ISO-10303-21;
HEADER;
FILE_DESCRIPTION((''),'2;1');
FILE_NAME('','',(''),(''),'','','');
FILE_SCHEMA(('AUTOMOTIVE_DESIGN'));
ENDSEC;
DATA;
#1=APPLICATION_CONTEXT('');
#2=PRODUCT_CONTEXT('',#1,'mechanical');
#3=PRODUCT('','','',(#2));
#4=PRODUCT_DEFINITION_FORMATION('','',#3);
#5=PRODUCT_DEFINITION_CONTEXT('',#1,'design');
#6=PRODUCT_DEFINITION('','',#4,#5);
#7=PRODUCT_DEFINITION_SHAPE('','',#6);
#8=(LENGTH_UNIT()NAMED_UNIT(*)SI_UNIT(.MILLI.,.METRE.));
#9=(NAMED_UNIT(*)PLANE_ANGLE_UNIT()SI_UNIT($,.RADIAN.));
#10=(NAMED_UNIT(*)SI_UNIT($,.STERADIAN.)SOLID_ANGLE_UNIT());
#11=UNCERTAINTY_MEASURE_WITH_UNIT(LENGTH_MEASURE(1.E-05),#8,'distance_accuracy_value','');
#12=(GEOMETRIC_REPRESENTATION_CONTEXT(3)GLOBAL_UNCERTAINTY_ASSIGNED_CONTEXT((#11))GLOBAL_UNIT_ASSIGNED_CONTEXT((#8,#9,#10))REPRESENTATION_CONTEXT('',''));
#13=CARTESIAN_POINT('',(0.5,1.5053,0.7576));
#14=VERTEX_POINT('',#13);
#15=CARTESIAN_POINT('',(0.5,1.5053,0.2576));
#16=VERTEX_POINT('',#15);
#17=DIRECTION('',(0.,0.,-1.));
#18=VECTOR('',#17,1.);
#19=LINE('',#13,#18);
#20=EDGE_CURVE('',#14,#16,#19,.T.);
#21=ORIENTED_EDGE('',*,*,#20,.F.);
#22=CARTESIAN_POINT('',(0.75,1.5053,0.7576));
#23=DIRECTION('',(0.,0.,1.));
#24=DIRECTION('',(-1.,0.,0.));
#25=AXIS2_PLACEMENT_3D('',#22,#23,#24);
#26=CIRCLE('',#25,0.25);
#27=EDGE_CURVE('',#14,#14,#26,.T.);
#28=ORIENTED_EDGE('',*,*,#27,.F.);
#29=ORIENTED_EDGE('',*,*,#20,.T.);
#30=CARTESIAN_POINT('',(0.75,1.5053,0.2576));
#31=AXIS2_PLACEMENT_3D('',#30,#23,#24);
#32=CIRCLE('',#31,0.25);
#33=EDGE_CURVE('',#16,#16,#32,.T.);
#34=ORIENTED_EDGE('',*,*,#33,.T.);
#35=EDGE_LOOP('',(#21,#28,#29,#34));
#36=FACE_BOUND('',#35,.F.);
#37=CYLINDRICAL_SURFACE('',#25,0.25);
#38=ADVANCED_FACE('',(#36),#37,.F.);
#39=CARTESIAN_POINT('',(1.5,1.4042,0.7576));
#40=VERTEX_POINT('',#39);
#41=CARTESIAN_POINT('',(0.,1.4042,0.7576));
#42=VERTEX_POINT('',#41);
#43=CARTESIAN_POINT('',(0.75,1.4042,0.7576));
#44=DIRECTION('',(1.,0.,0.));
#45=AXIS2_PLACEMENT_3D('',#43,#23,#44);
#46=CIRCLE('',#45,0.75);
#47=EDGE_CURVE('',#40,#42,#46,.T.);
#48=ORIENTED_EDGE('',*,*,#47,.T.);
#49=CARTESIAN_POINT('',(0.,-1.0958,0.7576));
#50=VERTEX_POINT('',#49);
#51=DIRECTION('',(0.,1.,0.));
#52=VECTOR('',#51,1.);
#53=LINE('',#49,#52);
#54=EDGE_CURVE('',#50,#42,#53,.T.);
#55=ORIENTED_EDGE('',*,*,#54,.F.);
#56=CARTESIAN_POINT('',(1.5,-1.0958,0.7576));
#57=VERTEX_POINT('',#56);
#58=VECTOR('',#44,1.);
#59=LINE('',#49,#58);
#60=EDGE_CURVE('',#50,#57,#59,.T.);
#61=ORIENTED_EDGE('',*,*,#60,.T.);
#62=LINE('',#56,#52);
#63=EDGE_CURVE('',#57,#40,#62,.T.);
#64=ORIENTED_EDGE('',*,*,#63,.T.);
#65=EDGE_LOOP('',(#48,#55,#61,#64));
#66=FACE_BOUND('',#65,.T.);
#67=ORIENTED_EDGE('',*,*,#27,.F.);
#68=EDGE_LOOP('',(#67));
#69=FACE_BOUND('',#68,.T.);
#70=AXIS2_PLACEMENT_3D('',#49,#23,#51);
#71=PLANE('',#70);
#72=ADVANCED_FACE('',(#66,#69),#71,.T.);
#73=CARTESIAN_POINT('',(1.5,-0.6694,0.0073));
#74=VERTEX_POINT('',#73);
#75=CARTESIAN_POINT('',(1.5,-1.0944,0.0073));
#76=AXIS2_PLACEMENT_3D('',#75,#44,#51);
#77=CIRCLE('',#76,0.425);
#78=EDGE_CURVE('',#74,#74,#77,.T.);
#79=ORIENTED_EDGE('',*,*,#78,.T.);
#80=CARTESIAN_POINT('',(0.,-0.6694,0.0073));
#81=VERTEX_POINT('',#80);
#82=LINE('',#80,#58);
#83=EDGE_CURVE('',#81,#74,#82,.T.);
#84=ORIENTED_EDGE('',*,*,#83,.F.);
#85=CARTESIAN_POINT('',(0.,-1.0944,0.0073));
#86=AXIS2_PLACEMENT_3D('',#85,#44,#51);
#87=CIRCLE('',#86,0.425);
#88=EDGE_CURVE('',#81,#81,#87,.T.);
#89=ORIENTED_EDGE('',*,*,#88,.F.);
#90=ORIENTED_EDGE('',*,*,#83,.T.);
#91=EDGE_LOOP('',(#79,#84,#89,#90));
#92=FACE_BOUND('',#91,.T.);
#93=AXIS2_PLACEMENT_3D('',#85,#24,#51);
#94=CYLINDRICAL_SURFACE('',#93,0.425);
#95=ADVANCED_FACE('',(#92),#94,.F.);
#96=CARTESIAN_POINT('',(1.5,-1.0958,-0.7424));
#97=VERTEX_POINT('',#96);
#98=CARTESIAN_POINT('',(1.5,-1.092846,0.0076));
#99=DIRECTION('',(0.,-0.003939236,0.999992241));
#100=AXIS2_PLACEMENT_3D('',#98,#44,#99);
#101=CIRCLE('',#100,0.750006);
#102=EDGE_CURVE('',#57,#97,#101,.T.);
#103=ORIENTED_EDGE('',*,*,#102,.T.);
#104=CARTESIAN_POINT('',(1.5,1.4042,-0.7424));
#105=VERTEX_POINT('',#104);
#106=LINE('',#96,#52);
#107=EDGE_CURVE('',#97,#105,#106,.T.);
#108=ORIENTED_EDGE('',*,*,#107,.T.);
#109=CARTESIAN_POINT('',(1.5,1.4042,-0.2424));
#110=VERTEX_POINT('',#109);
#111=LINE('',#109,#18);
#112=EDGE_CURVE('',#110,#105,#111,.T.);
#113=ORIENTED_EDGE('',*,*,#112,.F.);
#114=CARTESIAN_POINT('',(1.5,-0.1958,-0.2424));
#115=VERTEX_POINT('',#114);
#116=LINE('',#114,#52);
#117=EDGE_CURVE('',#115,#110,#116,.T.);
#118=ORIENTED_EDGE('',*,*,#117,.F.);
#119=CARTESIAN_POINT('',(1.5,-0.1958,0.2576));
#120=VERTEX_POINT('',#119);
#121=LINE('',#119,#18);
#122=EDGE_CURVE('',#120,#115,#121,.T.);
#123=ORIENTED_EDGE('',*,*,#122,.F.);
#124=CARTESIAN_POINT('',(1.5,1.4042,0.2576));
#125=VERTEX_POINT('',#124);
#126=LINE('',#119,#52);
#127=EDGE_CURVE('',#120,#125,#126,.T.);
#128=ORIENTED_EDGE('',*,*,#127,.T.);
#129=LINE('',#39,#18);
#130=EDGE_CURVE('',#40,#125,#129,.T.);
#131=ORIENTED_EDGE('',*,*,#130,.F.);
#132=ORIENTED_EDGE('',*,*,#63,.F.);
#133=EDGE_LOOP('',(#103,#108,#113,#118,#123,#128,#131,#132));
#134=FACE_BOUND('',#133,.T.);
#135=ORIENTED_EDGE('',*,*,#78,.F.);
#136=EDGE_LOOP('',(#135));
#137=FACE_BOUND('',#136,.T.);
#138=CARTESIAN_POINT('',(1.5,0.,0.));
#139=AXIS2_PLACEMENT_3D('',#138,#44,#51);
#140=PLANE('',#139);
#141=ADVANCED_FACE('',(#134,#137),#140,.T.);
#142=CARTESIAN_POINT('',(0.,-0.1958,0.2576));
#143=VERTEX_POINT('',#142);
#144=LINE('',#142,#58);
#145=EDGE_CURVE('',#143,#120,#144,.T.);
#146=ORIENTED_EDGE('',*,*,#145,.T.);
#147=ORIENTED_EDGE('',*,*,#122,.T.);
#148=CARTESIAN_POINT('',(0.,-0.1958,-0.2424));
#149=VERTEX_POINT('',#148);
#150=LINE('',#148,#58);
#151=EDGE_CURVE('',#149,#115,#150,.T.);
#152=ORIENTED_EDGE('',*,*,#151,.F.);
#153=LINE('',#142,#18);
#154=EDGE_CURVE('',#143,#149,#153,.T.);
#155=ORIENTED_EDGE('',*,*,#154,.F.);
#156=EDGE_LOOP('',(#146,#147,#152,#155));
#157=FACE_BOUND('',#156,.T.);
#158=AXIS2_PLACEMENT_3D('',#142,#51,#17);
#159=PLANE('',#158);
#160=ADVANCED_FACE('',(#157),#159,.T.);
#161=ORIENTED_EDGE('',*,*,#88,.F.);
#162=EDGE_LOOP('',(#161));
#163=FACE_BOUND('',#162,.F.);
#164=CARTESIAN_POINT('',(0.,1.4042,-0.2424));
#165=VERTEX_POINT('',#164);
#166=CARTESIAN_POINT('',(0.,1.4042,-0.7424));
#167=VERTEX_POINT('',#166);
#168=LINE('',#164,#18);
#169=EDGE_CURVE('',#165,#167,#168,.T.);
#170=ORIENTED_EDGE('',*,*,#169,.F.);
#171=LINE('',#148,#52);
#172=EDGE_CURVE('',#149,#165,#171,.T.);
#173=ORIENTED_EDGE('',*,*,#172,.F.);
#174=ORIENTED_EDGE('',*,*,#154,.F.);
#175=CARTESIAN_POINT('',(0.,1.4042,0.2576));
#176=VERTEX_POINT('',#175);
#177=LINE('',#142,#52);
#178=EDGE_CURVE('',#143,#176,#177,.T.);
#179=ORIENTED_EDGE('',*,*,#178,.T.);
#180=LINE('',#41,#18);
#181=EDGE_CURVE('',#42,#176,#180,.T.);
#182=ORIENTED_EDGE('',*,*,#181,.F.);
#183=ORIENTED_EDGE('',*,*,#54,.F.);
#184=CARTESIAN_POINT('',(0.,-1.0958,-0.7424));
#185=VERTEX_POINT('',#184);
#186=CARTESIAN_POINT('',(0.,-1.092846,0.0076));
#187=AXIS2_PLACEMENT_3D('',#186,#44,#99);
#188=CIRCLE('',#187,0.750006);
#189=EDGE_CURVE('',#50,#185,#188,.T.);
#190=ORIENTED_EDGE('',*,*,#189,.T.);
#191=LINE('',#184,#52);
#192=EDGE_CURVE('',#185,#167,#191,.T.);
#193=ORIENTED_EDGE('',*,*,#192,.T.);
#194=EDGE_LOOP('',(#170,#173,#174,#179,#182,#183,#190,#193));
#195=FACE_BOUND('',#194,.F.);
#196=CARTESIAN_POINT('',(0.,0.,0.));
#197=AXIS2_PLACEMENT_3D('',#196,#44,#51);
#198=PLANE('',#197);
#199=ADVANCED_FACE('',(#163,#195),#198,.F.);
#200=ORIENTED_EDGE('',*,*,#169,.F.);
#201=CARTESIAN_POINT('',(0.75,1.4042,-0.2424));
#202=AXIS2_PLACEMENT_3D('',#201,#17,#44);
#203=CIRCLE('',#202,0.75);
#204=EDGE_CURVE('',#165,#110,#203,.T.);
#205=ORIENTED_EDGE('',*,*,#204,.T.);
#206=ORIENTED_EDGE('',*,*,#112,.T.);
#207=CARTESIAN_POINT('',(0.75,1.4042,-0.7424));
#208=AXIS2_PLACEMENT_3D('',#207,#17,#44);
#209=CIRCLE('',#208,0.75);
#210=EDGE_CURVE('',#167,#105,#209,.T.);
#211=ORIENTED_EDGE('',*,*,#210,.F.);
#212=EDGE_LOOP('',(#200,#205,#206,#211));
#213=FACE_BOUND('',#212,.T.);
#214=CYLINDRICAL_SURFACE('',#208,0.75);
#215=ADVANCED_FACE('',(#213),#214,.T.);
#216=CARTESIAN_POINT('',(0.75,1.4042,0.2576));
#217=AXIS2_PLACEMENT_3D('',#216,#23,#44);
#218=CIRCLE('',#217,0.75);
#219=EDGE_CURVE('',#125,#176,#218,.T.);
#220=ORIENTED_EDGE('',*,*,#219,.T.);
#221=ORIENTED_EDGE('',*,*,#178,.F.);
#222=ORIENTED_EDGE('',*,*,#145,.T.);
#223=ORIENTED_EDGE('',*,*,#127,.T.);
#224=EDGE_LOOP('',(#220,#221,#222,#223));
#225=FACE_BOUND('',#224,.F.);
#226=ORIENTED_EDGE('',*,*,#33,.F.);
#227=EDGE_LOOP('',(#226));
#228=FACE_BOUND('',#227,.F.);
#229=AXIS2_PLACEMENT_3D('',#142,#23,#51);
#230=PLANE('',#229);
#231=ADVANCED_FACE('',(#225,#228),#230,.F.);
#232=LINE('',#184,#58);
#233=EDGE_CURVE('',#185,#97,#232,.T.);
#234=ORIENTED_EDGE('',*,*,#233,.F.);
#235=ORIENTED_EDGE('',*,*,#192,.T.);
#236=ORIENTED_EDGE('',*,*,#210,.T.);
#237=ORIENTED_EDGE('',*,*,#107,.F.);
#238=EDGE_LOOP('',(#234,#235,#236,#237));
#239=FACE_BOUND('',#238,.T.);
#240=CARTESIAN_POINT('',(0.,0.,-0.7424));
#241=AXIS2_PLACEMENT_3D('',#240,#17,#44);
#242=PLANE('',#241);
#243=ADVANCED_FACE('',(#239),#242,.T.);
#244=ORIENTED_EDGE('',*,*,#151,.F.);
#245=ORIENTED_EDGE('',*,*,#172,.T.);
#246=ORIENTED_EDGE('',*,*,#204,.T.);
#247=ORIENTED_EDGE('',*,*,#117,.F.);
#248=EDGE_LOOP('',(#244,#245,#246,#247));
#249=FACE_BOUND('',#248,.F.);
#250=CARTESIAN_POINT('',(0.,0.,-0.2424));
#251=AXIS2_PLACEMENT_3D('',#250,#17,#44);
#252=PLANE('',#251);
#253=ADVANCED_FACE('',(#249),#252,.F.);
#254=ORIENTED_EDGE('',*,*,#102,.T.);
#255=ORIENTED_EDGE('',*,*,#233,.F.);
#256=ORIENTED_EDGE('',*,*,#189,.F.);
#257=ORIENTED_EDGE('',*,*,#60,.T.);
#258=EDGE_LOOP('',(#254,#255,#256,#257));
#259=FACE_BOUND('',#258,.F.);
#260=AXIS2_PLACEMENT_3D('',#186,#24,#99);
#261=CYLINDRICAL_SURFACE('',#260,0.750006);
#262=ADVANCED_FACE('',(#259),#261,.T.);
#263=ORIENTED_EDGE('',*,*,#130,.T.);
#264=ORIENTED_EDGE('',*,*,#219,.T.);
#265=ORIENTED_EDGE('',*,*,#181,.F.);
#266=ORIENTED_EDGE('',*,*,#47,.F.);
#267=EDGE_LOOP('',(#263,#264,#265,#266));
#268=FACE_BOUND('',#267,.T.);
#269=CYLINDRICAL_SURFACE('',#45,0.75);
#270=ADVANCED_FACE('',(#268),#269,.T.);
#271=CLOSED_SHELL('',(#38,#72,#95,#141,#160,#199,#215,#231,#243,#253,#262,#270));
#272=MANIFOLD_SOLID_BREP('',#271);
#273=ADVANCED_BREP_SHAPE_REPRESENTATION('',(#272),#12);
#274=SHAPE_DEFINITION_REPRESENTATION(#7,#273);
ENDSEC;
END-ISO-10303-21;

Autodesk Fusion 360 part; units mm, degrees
sketch "Sketch1" plane through (0, 0, 0) normal (1, 0, 0) x (0, 1, 0) in component "Component"
  circle A0 centre (-1.0944, 0.0073) radius 0.425
  line L0 (2.1063, -0.2468) -> (2.1063, -0.2424)
  line L1 (1.4084, 0.2576) -> (1.4122, 0.2576)
  line L2 (2.1063, -0.2424) -> (2.113, -0.2424)
  line L3 (-1.0958, -0.7424) -> (1.4042, -0.7424)
  line L4 (-0.1958, 0.2576) -> (1.4042, 0.2576)
  line L5 (-0.1958, 0.2576) -> (-0.1958, -0.2424)
  line L6 (-0.1958, -0.2424) -> (1.4042, -0.2424)
  line L7 (1.4042, -0.2424) -> (1.4042, -0.7424)
  line L8 (-1.0958, 0.7576) -> (1.4042, 0.7576)
  line L9 (1.4042, 0.7576) -> (1.4042, 0.2576)
  line L10 (-1.0958, 0.7576) -> (-1.0958, 0.7558)
  line L11 (-1.0958, -0.7411) -> (-1.0958, -0.7424)
  arc A1 (-1.0958, 0.7558) -> (-1.0958, -0.7411) centre (-1.0944, 0.0073) ccw
  line L12 (-2.5, -2.5) -> (0, -2.5)
  line L13 (-2.5, -2.5) -> (-2.5, -4)
  line L14 (0, -4) -> (-2.5, -4)
  circle A2 centre (0, -3.25) radius 0.25
  circle A3 centre (0, -3.25) radius 0.75
  circle A4 centre (0, -3.25) radius 0.75
  line L15 (-2.5, -2.5) -> (-2.5, -4)
  point P0 (1.4042, 0.7576)
  point P1 (-1.0958, 0.7576)
  dimension "d17" = 0.85
  dimension "d33" = 0.5
  dimension "d35" = 1.6
  dimension "d36" = 0.5
  dimension "d37" = 2.5
  dimension "d38" = 2.5
  dimension "d39" = 1.5
  dimension "d40" = 0.5
  dimension "d41" = 1.5
extrude "Extrude1" add sketch "Sketch1" along normal blind 1.5 contours L3 L4 L5 L6 L7 L8 L9 A1 in component "Component"
sketch "Sketch2" plane through (0, 0, 0.7576) normal (0, 0, 1) x (-1, 0, 0) in component "Component"
  line L0 (0, -1.4042) -> (0, 1.0958)
  line L1 (0, 1.0958) -> (-1.5, 1.0958)
  line L2 (-1.5, 1.0958) -> (-1.5, -1.4042)
  line L3 (-1.5, -1.4042) -> (0, -1.4042)
  circle A0 centre (-0.75, -1.4042) radius 0.25
  arc A1 (-1.5, -1.4042) -> (0, -1.4042) centre (-0.75, -1.4042) ccw
  dimension "d44" = 0.5
extrude "Extrude2" add sketch "Sketch2" against normal blind 0.5 contours L3 A0 A1 | L3 A0 | L3 A0 in component "Component"
sketch "Sketch3" plane through (0, 0, 0.7576) normal (0, 0, 1) x (-1, 0, 0) in component "Component"
  line L0 (0, -1.4042) -> (0, 1.0958)
  line L1 (0, 1.0958) -> (-1.5, 1.0958)
  line L2 (-1.5, 1.0958) -> (-1.5, -1.4042)
  arc A0 (-1.5, -1.4042) -> (0, -1.4042) centre (-0.75, -1.4042) ccw
  circle A1 centre (-0.75, -1.5053) radius 0.25
  dimension "d47" = 0.5
extrude "Extrude3" cut sketch "Sketch3" against normal blind 0.5 contours A1 in component "Component"
sketch "Sketch4" plane through (0, 0, -0.7424) normal (0, 0, -1) x (1, 0, 0) in component "Component"
  line L0 (0, 1.0958) -> (0, -1.4042)
  line L1 (0, -1.4042) -> (1.5, -1.4042)
  line L2 (1.5, -1.4042) -> (1.5, 1.0958)
  line L3 (1.5, 1.0958) -> (0, 1.0958)
  circle A0 centre (0.75, -1.4042) radius 0.75
  dimension "d50" = 1.5
extrude "Extrude4" add sketch "Sketch4" against normal blind 0.5 contours L1 A0 picked at (1, -1.8916) in component "Component"
component "Component" placed x (1, 0, 0) y (0, 1, 0) z (0, 0, 1) at (0, 0, 0)
